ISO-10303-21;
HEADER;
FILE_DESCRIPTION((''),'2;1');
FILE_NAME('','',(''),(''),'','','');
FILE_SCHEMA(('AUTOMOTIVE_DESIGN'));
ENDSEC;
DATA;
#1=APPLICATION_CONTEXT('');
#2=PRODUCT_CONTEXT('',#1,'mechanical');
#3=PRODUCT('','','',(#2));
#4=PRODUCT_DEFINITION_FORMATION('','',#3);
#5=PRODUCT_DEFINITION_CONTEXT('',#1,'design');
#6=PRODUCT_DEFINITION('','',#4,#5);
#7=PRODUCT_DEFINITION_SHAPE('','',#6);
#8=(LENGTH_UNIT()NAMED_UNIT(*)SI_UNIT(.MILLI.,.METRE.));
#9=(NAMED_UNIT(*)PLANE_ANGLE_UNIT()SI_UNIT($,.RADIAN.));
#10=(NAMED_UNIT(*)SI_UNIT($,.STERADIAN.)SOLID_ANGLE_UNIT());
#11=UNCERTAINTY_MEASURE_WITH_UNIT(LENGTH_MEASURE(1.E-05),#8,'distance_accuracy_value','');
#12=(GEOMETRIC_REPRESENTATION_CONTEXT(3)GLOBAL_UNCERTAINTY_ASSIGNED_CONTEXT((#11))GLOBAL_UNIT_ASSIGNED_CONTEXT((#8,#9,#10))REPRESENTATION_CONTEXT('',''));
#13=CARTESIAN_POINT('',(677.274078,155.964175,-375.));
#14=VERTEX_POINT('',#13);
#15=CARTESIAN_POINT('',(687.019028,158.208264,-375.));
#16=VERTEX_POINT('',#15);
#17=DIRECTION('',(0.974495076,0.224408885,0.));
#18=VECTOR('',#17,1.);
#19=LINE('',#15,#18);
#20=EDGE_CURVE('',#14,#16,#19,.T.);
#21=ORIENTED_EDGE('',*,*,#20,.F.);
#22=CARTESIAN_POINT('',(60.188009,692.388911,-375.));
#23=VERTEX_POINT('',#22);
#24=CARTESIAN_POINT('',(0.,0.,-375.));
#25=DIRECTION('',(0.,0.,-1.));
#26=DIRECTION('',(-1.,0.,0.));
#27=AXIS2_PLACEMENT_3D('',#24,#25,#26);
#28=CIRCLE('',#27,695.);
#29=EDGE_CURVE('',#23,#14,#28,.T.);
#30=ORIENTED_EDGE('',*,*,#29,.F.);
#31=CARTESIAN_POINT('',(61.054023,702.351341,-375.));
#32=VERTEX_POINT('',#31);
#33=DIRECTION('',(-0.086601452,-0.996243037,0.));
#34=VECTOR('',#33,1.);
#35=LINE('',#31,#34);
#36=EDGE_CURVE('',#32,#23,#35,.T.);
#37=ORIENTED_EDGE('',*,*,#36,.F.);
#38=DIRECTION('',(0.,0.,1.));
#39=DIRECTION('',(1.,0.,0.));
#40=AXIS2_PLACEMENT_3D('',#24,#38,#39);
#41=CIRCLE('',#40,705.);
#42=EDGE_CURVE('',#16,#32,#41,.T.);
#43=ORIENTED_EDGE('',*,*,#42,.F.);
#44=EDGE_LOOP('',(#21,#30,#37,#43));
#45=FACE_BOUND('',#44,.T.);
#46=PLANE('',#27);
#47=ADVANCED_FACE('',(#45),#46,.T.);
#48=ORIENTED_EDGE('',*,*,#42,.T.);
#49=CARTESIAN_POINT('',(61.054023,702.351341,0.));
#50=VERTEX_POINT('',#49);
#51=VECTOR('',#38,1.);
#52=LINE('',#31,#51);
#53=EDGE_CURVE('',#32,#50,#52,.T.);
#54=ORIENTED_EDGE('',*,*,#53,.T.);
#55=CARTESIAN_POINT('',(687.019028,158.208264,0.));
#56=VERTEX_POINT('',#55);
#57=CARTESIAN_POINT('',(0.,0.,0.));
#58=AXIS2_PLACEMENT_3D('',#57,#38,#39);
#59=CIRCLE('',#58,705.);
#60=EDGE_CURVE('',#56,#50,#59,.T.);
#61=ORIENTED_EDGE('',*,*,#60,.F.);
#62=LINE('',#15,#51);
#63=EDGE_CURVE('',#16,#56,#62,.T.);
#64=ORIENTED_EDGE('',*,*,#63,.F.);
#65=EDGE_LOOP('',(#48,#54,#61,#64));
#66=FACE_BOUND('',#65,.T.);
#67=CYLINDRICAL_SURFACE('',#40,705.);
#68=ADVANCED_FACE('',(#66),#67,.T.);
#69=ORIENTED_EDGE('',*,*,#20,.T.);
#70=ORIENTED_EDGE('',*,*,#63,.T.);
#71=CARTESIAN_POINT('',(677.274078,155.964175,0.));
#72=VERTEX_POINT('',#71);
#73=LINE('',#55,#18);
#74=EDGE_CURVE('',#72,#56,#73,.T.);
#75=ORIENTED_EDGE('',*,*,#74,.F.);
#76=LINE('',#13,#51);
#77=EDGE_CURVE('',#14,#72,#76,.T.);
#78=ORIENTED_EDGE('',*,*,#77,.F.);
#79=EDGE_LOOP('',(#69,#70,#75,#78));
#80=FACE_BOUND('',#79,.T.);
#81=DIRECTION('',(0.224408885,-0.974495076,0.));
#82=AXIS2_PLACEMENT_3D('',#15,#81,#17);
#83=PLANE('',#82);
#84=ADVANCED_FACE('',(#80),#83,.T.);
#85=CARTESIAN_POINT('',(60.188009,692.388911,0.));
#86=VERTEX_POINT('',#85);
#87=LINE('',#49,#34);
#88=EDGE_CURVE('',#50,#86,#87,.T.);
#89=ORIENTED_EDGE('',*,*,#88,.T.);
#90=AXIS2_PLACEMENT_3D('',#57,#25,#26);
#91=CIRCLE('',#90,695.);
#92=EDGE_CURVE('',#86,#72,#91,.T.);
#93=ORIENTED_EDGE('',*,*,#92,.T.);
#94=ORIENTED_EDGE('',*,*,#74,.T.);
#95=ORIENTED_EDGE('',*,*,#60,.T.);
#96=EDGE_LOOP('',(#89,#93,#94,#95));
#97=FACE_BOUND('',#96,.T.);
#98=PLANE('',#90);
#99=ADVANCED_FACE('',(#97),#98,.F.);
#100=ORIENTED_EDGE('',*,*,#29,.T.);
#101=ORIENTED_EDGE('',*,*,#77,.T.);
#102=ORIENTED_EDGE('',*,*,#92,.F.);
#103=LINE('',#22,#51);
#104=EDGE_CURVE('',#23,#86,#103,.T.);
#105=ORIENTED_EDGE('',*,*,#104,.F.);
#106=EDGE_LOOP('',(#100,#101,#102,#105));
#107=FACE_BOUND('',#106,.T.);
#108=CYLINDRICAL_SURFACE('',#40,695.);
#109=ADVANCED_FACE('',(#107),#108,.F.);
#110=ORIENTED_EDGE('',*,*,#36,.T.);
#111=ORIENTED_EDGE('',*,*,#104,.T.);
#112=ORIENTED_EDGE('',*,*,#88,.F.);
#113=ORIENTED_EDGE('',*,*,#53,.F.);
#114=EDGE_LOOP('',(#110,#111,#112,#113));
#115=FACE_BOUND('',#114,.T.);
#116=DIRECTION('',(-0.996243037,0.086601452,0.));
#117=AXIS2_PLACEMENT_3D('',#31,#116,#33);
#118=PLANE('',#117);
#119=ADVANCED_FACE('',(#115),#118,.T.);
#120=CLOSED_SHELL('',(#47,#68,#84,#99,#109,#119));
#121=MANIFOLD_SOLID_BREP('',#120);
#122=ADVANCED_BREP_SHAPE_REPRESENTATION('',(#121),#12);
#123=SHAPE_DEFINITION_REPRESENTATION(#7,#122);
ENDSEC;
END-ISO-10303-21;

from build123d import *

# Parameters (mm, degrees)
EXTRUDE_1_DEPTH = 375


with BuildPart() as part:
    # 草图1 → 凸台-拉伸1 (new body)
    with BuildSketch(Plane.XY):
        with BuildLine():
            Line((61.05402349, 702.351341008), (60.188008972, 692.388910639))
            ThreePointArc((60.188008972, 692.388910639), (455.961025148, 524.523158255), (677.274077507, 155.96417517))
            Line((677.274077507, 155.96417517), (687.019028263, 158.208264022))
            ThreePointArc((687.019028263, 158.208264022), (462.521615438, 532.070254057), (61.05402349, 702.351341008))
        make_face()
    extrude(amount=-EXTRUDE_1_DEPTH)


solid = part.part
